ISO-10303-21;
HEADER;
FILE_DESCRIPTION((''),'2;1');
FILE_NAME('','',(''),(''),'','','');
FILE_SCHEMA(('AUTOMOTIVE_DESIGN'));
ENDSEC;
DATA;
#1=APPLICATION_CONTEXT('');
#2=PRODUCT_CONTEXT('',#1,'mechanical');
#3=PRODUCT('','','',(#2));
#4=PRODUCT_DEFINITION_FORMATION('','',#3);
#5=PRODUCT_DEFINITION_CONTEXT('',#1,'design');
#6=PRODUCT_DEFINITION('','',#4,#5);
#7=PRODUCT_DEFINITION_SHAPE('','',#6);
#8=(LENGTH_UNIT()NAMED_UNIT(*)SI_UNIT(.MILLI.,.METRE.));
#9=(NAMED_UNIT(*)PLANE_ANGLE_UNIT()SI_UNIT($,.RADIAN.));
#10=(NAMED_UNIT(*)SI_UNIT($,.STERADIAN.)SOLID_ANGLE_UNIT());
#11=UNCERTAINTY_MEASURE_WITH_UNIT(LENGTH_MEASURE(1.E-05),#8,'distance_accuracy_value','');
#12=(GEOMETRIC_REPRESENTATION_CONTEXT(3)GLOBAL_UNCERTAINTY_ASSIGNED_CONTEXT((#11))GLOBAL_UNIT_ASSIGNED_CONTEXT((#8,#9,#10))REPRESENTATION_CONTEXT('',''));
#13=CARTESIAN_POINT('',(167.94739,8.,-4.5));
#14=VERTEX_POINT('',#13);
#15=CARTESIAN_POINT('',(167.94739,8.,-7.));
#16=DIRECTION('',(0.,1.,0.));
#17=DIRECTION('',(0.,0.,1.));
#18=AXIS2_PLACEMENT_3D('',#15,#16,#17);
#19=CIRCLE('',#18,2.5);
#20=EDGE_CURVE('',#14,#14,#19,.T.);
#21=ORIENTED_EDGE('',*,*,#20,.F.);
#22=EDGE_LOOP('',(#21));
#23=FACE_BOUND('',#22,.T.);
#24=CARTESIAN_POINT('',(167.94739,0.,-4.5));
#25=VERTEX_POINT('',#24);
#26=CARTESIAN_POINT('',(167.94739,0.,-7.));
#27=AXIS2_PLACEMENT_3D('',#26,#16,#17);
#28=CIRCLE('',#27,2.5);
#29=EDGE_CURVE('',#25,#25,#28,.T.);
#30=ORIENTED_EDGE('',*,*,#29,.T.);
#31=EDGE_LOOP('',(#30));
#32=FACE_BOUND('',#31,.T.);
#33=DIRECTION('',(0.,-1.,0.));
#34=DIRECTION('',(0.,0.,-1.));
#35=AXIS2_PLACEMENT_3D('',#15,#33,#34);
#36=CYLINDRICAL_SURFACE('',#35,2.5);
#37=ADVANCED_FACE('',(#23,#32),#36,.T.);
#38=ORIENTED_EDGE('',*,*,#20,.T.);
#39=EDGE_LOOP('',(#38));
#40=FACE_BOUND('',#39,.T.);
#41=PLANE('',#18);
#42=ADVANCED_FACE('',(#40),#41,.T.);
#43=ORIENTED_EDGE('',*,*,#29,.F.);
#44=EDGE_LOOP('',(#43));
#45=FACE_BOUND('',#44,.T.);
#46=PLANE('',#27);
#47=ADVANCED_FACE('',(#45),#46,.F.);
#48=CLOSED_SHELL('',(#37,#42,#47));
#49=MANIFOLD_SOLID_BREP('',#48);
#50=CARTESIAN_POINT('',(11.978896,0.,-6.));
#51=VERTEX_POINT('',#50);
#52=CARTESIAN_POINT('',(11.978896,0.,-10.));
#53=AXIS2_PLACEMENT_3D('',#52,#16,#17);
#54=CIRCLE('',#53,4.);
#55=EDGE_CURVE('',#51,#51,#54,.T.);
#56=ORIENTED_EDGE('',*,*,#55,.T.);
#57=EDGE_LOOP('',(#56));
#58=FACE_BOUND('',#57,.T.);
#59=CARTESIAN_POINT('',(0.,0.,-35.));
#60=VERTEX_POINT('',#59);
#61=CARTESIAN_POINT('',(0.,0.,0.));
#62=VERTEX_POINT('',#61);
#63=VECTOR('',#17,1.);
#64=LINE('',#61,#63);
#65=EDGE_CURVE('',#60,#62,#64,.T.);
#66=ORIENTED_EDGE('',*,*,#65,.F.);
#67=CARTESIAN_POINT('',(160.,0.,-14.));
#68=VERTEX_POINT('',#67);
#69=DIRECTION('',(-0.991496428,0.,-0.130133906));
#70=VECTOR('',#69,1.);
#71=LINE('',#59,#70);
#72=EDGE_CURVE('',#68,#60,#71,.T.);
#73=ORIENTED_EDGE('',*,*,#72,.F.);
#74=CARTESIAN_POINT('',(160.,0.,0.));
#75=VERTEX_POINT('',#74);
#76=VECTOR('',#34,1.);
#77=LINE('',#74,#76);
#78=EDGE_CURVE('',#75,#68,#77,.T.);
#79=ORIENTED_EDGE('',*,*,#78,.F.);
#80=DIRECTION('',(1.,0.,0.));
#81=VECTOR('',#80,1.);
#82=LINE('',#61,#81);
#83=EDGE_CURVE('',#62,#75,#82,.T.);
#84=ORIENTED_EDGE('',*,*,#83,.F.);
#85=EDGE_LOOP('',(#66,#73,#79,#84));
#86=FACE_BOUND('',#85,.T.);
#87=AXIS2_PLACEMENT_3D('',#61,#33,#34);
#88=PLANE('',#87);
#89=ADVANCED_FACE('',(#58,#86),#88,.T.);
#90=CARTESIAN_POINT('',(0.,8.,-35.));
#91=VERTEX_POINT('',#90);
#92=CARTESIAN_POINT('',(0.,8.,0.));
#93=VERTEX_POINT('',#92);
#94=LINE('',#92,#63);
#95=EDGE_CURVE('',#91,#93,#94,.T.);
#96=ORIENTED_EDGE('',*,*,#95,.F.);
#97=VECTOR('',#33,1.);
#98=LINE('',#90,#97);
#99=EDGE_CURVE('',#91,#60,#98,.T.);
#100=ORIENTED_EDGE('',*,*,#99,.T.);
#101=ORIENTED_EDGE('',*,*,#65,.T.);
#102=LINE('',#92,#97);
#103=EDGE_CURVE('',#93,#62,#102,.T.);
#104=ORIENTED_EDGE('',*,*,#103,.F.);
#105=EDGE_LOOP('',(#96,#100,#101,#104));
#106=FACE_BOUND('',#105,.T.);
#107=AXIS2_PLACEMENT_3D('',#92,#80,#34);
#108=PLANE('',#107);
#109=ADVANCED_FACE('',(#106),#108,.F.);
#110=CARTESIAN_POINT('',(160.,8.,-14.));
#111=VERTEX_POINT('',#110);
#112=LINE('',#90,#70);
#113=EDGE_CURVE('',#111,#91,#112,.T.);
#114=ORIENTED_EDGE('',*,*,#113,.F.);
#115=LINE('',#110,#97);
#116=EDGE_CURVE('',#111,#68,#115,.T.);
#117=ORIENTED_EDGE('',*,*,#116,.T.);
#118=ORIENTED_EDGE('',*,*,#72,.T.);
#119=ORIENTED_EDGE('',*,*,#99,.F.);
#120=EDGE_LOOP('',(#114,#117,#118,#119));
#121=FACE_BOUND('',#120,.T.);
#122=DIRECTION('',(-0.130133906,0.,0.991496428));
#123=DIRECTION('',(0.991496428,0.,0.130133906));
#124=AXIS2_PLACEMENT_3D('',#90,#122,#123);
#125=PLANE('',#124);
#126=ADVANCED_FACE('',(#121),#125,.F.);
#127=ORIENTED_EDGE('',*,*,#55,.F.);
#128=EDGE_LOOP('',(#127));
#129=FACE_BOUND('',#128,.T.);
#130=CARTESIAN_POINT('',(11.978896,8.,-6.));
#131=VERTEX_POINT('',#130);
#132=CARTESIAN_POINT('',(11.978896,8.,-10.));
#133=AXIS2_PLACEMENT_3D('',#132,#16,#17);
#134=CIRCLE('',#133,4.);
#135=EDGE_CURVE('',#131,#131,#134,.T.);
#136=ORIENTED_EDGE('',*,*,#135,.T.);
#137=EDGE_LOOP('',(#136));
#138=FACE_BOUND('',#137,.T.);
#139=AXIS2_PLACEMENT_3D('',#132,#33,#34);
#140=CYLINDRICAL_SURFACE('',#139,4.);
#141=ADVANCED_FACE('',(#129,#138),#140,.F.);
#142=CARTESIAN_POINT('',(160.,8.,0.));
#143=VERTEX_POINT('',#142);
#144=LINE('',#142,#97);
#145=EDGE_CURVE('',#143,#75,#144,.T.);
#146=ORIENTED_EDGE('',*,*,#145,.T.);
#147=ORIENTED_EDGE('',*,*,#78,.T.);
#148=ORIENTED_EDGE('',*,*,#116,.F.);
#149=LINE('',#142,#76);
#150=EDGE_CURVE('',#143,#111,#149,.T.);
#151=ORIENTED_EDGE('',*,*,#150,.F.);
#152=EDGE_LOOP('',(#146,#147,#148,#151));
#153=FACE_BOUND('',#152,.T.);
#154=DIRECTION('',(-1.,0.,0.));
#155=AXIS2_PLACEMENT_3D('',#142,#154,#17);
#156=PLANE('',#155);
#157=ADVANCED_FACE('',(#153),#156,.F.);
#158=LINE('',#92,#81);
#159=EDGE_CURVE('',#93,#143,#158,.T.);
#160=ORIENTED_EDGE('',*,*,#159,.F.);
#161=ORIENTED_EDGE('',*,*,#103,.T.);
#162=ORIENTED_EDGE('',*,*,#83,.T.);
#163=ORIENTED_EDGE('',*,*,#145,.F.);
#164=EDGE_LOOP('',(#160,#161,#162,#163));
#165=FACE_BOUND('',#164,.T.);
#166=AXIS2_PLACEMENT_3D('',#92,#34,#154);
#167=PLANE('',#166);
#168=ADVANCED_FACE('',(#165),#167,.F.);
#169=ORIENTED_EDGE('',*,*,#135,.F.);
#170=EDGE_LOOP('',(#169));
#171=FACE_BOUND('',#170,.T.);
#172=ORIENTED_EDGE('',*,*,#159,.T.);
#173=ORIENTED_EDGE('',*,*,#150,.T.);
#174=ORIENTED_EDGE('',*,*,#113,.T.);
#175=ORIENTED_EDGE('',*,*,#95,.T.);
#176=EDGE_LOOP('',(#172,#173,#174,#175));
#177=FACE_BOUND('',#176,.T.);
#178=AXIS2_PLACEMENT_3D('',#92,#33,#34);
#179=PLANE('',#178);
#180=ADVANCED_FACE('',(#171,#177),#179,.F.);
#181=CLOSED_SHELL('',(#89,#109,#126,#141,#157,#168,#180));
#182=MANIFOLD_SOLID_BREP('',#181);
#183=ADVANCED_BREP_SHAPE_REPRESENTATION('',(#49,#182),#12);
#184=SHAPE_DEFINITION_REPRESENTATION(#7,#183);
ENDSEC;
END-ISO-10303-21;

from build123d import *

# Parameters (mm, degrees)
SKETCH1_R             = 2.5
BOSS_EXTRUDE1_DEPTH   = 8
SKETCH1_R_2           = 4
BOSS_EXTRUDE1_2_DEPTH = 8


with BuildPart() as part:
    # Sketch1 → Boss-Extrude1 (new body)
    with BuildSketch(Plane(origin=(0, 0, 0), x_dir=(1, 0, 0), z_dir=(0, 1, 0))):
        with Locations(Location((167.947390468, 7, 0), (0, 0, 270))):
            Circle(SKETCH1_R)
    extrude(amount=BOSS_EXTRUDE1_DEPTH)


with BuildPart() as body_2:
    # Sketch1 → Boss-Extrude1 2 (new body)
    with BuildSketch(Plane(origin=(0, 0, 0), x_dir=(1, 0, 0), z_dir=(0, 1, 0))):
        Polygon((0, 0), (160, 0), (160, 14), (0, 35), align=None)
        with Locations(Location((11.978896163, 10, 0), (0, 0, 270))):
            Circle(SKETCH1_R_2, mode=Mode.SUBTRACT)
    extrude(amount=BOSS_EXTRUDE1_2_DEPTH)


solid = Compound([part.part, body_2.part])
